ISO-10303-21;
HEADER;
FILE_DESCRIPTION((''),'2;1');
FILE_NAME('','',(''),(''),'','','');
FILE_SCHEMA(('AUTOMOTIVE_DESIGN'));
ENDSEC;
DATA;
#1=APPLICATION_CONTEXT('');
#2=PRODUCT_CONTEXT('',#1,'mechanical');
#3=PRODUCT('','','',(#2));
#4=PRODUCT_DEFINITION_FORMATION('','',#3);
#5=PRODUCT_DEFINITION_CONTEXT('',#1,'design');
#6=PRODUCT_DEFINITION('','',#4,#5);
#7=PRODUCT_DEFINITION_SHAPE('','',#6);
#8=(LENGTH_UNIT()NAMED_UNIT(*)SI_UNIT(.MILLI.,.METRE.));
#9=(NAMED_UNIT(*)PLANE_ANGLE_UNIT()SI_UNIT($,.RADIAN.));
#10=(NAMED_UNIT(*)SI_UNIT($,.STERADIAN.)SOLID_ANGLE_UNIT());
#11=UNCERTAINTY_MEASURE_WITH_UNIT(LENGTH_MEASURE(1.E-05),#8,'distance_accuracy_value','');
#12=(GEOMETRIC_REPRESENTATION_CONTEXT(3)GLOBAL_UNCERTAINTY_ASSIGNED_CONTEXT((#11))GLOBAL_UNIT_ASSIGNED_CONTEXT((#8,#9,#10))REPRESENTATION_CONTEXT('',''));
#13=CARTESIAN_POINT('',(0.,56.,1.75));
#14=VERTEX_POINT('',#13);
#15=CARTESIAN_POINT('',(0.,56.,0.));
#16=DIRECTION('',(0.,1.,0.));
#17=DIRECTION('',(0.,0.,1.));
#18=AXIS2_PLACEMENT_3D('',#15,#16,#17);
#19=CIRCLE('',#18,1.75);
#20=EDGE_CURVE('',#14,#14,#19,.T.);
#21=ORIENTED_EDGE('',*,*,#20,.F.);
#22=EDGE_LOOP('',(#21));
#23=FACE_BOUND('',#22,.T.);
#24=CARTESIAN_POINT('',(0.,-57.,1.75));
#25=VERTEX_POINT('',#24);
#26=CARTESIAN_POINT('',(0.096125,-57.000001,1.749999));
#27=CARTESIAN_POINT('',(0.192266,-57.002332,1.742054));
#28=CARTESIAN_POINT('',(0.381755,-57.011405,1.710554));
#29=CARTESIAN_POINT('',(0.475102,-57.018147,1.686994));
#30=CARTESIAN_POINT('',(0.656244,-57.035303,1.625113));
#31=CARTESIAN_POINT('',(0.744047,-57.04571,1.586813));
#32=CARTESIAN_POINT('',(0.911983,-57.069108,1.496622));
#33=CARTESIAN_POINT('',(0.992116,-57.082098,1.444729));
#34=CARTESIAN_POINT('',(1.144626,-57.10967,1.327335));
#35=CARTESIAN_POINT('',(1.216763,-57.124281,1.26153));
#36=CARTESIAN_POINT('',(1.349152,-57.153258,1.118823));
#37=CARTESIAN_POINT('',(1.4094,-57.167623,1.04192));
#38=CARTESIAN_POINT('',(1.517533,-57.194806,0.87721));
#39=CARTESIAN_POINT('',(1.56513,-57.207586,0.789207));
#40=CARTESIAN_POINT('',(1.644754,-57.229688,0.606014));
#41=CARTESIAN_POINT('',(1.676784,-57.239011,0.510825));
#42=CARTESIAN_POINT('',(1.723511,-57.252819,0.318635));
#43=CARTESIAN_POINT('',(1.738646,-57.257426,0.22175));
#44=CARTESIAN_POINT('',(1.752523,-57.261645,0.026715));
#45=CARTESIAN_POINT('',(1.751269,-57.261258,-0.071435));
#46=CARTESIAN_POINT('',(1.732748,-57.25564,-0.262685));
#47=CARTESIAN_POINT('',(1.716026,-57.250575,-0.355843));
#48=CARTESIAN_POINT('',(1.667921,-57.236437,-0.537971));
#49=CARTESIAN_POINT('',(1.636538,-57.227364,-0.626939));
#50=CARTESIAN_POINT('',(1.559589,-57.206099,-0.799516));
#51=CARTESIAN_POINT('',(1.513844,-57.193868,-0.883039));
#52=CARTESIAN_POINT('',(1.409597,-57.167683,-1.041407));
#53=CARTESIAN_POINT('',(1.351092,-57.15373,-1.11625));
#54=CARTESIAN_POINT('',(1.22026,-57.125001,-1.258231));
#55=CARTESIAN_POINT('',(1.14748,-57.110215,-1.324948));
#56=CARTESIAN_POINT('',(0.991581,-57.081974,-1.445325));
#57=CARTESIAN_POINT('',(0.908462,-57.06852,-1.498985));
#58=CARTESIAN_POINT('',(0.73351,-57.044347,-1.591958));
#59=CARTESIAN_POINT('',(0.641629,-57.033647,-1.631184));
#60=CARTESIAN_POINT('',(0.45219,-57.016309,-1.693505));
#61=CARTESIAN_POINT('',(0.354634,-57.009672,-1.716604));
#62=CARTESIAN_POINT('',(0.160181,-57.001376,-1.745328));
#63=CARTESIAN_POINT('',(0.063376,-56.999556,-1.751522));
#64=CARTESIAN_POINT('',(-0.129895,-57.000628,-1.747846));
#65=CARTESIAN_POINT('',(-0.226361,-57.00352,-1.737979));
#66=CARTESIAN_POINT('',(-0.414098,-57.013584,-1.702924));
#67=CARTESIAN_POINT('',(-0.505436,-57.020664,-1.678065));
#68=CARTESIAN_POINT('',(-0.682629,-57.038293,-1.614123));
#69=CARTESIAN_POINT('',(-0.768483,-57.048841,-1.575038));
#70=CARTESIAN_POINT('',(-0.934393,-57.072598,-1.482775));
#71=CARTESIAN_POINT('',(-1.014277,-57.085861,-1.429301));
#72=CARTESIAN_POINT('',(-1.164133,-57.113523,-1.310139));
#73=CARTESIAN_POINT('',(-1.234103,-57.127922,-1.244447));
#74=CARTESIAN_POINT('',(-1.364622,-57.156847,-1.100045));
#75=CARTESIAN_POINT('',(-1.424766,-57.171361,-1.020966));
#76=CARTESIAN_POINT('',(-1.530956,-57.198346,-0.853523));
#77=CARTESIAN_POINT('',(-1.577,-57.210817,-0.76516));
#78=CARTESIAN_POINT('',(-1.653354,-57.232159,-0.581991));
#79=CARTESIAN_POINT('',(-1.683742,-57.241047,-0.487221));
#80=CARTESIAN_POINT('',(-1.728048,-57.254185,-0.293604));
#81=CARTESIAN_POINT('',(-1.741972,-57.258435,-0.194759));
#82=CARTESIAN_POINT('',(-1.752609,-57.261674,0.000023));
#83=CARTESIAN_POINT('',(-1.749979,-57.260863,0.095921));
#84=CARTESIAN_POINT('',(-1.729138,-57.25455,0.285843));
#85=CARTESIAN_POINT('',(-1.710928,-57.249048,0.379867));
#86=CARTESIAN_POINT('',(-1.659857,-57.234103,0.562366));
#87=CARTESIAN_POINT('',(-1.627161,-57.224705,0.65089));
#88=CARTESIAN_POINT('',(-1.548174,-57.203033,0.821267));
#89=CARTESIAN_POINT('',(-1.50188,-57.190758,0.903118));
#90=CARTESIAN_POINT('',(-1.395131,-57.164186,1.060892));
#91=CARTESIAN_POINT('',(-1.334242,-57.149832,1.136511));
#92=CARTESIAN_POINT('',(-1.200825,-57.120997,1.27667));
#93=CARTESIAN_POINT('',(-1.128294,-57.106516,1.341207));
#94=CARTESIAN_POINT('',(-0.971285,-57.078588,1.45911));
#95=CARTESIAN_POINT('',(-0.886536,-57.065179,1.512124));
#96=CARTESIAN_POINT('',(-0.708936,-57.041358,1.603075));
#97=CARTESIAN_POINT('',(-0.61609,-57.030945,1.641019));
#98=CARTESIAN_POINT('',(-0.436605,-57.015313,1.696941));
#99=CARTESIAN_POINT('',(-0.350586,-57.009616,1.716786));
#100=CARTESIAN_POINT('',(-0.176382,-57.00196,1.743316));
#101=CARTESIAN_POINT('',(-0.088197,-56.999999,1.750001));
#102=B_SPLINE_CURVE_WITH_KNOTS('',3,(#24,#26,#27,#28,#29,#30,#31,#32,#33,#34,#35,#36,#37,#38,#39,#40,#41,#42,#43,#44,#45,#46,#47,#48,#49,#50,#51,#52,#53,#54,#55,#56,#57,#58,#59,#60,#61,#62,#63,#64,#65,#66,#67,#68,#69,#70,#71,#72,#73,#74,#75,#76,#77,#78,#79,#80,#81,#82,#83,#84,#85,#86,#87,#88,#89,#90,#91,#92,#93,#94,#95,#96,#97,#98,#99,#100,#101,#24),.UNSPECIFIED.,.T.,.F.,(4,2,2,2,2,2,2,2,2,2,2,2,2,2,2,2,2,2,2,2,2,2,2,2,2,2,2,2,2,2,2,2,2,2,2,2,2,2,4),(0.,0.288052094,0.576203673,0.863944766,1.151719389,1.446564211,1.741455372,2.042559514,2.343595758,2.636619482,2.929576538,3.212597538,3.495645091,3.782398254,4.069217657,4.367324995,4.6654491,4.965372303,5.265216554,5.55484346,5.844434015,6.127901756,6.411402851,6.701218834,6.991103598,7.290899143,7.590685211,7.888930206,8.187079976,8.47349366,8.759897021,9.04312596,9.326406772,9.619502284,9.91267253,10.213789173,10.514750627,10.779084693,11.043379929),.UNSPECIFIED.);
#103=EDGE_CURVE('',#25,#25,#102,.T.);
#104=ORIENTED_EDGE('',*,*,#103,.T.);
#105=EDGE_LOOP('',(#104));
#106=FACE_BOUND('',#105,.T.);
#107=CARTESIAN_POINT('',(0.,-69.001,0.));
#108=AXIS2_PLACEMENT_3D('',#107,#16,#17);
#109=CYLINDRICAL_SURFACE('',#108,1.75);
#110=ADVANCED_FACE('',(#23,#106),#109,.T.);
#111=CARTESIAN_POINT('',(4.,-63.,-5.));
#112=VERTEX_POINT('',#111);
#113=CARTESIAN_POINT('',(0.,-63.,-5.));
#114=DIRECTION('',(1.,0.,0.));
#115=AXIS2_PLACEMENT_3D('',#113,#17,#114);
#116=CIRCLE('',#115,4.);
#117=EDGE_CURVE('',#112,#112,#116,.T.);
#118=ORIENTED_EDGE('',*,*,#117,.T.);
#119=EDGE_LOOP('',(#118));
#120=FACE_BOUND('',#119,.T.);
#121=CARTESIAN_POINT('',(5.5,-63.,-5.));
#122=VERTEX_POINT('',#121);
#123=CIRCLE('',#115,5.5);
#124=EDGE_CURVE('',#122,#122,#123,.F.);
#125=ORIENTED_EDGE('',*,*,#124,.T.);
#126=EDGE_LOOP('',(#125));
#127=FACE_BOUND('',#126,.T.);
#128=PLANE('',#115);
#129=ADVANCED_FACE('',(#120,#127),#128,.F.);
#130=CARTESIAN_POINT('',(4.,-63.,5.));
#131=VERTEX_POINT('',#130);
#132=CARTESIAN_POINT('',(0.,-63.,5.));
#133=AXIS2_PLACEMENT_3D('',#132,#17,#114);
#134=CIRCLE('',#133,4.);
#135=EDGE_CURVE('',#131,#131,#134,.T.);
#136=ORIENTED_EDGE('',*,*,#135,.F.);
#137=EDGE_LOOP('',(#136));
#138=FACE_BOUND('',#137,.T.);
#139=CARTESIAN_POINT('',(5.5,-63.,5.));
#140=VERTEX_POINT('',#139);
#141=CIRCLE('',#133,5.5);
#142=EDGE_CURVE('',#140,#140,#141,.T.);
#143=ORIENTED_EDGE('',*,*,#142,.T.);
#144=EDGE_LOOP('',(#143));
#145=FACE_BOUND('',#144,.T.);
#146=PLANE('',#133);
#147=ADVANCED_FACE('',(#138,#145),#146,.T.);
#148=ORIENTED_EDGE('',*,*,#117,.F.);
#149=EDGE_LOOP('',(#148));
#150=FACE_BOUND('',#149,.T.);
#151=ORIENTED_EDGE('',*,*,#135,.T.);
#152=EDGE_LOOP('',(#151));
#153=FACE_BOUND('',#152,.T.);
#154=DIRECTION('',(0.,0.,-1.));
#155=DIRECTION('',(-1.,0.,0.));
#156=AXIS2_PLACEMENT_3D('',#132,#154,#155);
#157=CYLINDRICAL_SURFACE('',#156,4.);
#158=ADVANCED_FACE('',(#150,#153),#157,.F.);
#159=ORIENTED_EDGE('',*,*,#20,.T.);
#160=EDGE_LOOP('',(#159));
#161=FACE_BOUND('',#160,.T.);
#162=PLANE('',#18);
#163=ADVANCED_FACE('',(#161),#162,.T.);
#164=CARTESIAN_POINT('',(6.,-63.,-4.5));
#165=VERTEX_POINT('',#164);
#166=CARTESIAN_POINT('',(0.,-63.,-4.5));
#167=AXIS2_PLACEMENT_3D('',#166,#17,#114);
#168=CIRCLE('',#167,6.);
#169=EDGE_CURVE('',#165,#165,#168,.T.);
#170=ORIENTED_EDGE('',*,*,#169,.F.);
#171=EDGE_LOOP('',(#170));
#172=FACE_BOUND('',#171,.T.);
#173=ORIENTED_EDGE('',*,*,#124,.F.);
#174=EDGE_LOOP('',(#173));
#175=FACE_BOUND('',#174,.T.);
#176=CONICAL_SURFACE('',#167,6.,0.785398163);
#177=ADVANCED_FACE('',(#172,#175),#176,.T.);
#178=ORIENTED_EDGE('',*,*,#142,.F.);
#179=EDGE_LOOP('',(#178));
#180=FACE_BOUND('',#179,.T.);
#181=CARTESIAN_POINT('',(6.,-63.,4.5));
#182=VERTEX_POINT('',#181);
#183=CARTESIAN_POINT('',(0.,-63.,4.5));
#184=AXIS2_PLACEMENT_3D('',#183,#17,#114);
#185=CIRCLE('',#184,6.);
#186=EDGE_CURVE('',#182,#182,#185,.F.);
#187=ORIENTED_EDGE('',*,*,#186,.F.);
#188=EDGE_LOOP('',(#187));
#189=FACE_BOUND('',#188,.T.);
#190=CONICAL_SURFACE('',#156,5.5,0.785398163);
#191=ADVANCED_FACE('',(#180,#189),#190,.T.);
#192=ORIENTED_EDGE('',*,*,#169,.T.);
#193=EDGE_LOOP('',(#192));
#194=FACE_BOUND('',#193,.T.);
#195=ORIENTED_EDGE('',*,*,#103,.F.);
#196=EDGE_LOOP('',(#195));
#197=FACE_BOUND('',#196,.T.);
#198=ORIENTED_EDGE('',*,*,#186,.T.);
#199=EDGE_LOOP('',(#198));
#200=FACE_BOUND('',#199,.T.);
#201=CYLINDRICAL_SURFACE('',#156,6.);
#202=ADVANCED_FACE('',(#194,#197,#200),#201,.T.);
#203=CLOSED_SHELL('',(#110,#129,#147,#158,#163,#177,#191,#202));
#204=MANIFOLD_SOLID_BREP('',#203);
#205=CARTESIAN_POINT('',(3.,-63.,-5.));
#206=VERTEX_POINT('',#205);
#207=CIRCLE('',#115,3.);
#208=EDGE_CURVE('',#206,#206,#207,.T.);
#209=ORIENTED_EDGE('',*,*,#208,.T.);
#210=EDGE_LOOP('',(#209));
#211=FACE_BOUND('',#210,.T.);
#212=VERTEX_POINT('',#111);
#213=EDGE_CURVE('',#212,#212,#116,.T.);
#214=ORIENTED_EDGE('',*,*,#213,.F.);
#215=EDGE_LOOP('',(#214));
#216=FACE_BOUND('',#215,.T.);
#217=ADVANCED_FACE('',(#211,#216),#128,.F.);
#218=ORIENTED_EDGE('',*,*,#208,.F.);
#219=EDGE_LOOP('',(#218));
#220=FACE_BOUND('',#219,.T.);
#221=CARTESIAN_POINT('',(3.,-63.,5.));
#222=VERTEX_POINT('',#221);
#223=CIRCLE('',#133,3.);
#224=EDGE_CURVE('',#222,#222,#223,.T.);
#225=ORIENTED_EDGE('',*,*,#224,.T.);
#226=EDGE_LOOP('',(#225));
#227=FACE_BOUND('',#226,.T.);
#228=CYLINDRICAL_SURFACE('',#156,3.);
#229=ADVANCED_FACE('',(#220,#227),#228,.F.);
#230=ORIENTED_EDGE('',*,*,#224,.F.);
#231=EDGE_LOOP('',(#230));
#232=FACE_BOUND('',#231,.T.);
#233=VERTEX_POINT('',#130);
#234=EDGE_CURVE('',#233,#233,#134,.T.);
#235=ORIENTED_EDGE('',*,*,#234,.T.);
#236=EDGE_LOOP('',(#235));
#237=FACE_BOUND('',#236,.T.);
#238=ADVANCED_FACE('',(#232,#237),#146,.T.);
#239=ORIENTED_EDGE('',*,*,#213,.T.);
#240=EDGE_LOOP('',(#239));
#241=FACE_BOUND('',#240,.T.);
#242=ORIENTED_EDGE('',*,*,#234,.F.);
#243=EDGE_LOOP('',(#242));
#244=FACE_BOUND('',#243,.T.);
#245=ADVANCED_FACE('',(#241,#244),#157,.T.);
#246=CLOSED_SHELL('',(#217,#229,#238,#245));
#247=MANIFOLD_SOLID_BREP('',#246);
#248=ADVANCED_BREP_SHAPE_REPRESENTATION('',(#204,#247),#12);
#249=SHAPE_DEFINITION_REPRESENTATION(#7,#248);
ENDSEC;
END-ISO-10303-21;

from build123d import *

# Parameters (mm, degrees)
BOSS_EXTRUDE1_DEPTH      = 56
BOSS_EXTRUDE1_DEPTH_BACK = 58
SKETCH1_R                = 3
SKETCH2_R                = 6
SKETCH2_R_2              = 4
BOSS_EXTRUDE2_DEPTH      = 5
SKETCH3_R                = 4
SKETCH3_R_2              = 3
BOSS_EXTRUDE3_DEPTH      = 5
CHAMFER2_SIZE            = 0.5
SKETCH4_OUTSIDE_W        = 39.194
SKETCH4_OUTSIDE_H        = 37.194
SKETCH4_OUTSIDE_R        = 1.75
CUT_EXTRUDE4_DEPTH       = 114


with BuildPart() as part:
    # Sketch1 → Boss-Extrude1 (new, two sides: drawn at the far end of the back side and taken through both)
    with BuildSketch(Plane(origin=(0, 0, 0), x_dir=(1, 0, 0), z_dir=(0, 1, 0)).offset(-BOSS_EXTRUDE1_DEPTH_BACK)):
        with Locations(Location((0, 0, 0), (0, 0, 270))):
            Circle(SKETCH1_R)
    extrude(amount=BOSS_EXTRUDE1_DEPTH + BOSS_EXTRUDE1_DEPTH_BACK)

    # Sketch4 outside → Cut-Extrude4 (cut)
    with BuildSketch(Plane(origin=(0, 56, 0), x_dir=(1, 0, 0), z_dir=(0, 1, 0))):
        Rectangle(SKETCH4_OUTSIDE_W, SKETCH4_OUTSIDE_H)
        with Locations(Location((0, 0, 0), (0, 0, 270))):
            Circle(SKETCH4_OUTSIDE_R, mode=Mode.SUBTRACT)
    extrude(amount=-CUT_EXTRUDE4_DEPTH, mode=Mode.SUBTRACT)


with BuildPart() as body_2:
    # Sketch2 → Boss-Extrude2 (new, symmetric)
    with BuildSketch(Plane.XY):
        with Locations((0, -63)):
            Circle(SKETCH2_R)
        with Locations((0, -63)):
            Circle(SKETCH2_R_2, mode=Mode.SUBTRACT)
    extrude(amount=BOSS_EXTRUDE2_DEPTH, both=True)

    # Chamfer2
    chamfer2_edges = [body_2.edges().sort_by_distance(p)[0] for p in [
        (-6, -63, -5),
        (-6, -63, 5),
    ]]
    chamfer(chamfer2_edges, length=CHAMFER2_SIZE)


with BuildPart() as body_3:
    # Sketch3 → Boss-Extrude3 (new, symmetric)
    with BuildSketch(Plane.XY):
        with Locations((0, -63)):
            Circle(SKETCH3_R)
        with Locations((0, -63)):
            Circle(SKETCH3_R_2, mode=Mode.SUBTRACT)
    extrude(amount=BOSS_EXTRUDE3_DEPTH, both=True)


with BuildPart() as part_1:
    add(part.part)

    # Combine1: union body 2
    add(body_2.part)


solid = Compound([body_3.part, part_1.part])
